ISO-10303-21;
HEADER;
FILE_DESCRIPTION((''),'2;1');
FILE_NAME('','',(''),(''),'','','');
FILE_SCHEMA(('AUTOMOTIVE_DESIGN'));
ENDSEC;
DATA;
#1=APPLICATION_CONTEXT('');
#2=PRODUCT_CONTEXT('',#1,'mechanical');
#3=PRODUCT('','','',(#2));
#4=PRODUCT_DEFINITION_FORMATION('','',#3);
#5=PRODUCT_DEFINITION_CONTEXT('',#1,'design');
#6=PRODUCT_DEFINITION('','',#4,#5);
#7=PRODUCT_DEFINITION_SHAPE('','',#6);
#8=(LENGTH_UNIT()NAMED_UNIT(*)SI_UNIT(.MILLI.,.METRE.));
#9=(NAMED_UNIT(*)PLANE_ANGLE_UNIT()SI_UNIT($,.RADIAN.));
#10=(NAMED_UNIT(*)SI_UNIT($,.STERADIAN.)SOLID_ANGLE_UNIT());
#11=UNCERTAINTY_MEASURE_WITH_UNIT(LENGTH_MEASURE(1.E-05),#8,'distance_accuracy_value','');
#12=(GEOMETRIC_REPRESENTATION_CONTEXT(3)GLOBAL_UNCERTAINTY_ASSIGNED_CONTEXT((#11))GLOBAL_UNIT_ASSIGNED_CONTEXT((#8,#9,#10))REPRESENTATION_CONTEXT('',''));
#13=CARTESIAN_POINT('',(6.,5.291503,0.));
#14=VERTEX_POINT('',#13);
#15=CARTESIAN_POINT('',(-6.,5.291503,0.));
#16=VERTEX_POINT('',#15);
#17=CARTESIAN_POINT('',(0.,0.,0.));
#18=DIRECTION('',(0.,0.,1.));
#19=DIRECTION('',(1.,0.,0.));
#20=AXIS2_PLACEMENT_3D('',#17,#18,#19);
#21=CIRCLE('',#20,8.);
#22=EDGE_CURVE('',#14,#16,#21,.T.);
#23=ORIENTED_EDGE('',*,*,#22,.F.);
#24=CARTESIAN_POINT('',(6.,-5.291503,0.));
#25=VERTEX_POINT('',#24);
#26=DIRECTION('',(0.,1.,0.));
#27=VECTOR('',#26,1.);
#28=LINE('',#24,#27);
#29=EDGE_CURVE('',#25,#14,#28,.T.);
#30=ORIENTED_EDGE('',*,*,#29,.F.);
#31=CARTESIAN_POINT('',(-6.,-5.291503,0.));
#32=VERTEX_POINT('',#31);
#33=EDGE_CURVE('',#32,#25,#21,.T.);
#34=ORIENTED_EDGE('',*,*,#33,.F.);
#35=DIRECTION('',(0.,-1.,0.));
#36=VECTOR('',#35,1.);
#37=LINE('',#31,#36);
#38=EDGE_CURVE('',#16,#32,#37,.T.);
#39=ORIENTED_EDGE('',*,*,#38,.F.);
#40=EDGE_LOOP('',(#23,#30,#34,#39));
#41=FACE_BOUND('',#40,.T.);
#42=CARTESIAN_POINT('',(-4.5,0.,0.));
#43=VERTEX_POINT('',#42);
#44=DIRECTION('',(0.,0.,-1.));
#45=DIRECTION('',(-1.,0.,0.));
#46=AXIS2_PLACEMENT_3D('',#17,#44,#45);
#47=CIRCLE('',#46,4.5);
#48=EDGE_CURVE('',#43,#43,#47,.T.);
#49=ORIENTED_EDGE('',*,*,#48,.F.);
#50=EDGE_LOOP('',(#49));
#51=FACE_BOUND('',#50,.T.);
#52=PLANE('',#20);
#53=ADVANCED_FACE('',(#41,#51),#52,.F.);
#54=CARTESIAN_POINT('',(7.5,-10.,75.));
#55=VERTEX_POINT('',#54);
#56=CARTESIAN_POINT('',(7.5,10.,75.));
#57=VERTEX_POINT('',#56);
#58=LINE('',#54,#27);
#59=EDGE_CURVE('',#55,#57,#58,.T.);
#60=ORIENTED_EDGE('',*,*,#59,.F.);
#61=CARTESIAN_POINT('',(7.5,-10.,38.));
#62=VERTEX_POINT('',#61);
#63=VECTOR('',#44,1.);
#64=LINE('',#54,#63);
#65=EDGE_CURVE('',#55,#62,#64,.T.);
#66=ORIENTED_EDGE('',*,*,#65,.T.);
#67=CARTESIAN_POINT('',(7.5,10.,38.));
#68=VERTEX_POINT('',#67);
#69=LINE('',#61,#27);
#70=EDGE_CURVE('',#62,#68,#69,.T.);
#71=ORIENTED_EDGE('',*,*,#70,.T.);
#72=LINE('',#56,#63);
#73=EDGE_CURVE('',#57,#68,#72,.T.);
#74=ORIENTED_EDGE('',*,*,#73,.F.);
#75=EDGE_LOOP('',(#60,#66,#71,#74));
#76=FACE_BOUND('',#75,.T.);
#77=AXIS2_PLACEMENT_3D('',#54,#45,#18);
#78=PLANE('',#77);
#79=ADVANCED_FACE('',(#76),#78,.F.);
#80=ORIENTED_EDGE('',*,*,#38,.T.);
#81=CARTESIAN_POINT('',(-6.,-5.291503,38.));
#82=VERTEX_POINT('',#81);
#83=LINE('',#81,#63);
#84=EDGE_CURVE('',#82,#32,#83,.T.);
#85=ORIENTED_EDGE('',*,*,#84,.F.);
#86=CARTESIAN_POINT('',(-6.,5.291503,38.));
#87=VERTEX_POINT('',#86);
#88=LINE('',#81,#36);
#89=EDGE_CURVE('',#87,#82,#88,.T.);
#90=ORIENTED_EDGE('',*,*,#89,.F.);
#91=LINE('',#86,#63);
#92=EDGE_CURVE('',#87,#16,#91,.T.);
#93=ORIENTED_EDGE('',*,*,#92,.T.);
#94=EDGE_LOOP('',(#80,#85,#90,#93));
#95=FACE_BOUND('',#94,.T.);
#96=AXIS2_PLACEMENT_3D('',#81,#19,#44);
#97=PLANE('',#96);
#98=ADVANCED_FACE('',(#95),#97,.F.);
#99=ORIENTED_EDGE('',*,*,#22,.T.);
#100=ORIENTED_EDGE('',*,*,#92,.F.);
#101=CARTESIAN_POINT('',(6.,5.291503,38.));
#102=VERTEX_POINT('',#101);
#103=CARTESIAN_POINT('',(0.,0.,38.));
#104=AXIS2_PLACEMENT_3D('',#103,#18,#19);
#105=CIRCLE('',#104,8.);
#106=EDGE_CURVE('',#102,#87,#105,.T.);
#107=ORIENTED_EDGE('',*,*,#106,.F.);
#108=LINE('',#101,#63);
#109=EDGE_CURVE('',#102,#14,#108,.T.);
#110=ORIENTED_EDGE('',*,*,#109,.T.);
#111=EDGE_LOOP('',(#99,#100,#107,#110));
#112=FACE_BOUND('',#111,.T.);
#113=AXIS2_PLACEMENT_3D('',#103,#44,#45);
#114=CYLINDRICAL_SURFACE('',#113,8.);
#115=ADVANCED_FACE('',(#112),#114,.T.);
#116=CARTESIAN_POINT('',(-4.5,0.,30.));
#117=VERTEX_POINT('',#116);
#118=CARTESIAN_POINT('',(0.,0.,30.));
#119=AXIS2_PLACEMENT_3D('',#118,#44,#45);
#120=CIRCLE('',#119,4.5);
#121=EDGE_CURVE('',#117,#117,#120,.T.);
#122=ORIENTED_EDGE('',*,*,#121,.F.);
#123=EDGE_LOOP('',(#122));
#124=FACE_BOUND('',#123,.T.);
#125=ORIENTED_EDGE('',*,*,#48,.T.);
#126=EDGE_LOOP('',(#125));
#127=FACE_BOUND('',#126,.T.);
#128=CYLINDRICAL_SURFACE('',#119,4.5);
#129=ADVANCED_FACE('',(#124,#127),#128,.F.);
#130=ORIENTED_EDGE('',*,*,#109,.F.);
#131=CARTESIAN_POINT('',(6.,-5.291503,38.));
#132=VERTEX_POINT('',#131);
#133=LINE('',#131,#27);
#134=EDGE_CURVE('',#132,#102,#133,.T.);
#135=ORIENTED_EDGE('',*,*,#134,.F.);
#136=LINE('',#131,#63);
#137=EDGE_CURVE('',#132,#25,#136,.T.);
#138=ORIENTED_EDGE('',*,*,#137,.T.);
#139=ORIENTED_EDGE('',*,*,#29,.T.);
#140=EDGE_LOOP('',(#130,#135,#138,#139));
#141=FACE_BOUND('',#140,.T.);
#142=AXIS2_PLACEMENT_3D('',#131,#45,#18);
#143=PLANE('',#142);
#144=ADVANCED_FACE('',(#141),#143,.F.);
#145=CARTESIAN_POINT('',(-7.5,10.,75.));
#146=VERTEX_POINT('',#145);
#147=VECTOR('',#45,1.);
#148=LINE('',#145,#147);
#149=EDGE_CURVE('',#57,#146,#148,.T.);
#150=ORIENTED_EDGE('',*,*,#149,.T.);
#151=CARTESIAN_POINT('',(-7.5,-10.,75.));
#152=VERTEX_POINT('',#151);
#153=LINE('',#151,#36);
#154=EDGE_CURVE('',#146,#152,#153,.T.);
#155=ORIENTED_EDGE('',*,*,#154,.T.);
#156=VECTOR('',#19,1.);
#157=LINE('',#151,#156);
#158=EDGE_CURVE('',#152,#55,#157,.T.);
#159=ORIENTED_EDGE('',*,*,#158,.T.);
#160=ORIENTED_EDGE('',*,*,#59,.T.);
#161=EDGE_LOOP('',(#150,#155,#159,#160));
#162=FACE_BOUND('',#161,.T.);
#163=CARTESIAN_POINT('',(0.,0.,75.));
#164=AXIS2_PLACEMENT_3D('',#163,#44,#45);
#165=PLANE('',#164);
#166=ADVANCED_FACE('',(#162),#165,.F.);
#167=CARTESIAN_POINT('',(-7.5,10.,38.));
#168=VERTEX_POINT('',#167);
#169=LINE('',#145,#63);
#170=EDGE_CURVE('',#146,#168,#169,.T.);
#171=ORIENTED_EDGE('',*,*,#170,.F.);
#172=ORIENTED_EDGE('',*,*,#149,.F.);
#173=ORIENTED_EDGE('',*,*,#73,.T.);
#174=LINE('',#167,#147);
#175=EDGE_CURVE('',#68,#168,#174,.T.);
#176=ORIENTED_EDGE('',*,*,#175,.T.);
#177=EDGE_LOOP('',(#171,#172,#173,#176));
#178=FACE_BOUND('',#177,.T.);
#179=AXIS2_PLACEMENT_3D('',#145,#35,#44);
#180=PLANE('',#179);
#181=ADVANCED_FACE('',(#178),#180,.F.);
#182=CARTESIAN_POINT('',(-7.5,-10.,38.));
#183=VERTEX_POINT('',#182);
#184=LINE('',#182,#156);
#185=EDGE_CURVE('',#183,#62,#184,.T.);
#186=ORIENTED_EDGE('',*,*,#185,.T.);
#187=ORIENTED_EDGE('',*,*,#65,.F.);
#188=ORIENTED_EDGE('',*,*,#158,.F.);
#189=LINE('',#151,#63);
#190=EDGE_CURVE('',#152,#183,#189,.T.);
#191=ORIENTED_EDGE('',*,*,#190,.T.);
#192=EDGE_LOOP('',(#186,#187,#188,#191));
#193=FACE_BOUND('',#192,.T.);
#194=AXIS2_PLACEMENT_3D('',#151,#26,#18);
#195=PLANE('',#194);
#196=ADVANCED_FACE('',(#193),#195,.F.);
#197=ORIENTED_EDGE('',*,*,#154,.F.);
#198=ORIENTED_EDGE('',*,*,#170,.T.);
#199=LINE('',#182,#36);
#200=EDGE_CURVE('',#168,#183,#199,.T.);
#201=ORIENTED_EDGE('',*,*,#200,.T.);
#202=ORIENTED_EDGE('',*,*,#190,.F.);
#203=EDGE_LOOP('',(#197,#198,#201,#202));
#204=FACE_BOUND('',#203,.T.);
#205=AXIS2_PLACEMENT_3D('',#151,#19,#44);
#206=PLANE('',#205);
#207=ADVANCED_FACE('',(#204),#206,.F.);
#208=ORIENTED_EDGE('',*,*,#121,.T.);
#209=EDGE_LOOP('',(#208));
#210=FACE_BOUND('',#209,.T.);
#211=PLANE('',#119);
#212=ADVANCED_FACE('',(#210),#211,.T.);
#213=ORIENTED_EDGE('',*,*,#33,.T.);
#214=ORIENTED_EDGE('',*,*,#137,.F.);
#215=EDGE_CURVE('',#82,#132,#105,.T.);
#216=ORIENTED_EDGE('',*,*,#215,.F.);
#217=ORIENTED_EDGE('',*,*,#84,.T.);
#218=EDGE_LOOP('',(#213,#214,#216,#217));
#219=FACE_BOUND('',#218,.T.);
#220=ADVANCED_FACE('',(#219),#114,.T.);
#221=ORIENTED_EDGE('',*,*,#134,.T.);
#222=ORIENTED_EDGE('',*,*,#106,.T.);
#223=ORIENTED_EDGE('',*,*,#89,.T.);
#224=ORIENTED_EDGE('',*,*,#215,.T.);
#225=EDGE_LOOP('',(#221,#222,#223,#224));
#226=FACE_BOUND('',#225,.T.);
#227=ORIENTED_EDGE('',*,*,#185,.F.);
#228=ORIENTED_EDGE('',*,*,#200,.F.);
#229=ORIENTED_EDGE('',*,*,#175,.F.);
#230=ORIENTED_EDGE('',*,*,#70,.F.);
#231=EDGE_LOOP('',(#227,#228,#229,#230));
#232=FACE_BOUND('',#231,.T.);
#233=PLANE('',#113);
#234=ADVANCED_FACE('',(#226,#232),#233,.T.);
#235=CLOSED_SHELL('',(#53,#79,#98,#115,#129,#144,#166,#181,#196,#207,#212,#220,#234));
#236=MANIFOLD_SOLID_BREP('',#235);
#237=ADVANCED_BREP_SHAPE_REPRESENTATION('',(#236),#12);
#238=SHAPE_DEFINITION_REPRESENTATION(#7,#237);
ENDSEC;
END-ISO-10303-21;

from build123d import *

# Parameters (mm, degrees)
BOSS_EXTRUDE1_DEPTH = 38
SKETCH2_W           = 15
SKETCH2_H           = 20
BOSS_EXTRUDE2_DEPTH = 37
SKETCH3_R           = 4.5
CUT_EXTRUDE1_DEPTH  = 30


with BuildPart() as part:
    # Sketch1 → Boss-Extrude1 (new body)
    with BuildSketch(Plane.XY):
        with BuildLine():
            Line((6, -5.291502622), (6, 5.291502622))
            ThreePointArc((6, 5.291502622), (0, 8), (-6, 5.291502622))
            Line((-6, 5.291502622), (-6, -5.291502622))
            ThreePointArc((-6, -5.291502622), (0, -8), (6, -5.291502622))
        make_face()
    extrude(amount=BOSS_EXTRUDE1_DEPTH)

    # Sketch2 → Boss-Extrude2 (add)
    with BuildSketch(Plane.XY.offset(38)):
        Rectangle(SKETCH2_W, SKETCH2_H)
    extrude(amount=BOSS_EXTRUDE2_DEPTH)

    # Sketch3 → Cut-Extrude1 (cut)
    with BuildSketch(Plane(origin=(0, 0, 0), x_dir=(-1, 0, 0), z_dir=(0, 0, -1))):
        Circle(SKETCH3_R)
    extrude(amount=-CUT_EXTRUDE1_DEPTH, mode=Mode.SUBTRACT)


solid = part.part
